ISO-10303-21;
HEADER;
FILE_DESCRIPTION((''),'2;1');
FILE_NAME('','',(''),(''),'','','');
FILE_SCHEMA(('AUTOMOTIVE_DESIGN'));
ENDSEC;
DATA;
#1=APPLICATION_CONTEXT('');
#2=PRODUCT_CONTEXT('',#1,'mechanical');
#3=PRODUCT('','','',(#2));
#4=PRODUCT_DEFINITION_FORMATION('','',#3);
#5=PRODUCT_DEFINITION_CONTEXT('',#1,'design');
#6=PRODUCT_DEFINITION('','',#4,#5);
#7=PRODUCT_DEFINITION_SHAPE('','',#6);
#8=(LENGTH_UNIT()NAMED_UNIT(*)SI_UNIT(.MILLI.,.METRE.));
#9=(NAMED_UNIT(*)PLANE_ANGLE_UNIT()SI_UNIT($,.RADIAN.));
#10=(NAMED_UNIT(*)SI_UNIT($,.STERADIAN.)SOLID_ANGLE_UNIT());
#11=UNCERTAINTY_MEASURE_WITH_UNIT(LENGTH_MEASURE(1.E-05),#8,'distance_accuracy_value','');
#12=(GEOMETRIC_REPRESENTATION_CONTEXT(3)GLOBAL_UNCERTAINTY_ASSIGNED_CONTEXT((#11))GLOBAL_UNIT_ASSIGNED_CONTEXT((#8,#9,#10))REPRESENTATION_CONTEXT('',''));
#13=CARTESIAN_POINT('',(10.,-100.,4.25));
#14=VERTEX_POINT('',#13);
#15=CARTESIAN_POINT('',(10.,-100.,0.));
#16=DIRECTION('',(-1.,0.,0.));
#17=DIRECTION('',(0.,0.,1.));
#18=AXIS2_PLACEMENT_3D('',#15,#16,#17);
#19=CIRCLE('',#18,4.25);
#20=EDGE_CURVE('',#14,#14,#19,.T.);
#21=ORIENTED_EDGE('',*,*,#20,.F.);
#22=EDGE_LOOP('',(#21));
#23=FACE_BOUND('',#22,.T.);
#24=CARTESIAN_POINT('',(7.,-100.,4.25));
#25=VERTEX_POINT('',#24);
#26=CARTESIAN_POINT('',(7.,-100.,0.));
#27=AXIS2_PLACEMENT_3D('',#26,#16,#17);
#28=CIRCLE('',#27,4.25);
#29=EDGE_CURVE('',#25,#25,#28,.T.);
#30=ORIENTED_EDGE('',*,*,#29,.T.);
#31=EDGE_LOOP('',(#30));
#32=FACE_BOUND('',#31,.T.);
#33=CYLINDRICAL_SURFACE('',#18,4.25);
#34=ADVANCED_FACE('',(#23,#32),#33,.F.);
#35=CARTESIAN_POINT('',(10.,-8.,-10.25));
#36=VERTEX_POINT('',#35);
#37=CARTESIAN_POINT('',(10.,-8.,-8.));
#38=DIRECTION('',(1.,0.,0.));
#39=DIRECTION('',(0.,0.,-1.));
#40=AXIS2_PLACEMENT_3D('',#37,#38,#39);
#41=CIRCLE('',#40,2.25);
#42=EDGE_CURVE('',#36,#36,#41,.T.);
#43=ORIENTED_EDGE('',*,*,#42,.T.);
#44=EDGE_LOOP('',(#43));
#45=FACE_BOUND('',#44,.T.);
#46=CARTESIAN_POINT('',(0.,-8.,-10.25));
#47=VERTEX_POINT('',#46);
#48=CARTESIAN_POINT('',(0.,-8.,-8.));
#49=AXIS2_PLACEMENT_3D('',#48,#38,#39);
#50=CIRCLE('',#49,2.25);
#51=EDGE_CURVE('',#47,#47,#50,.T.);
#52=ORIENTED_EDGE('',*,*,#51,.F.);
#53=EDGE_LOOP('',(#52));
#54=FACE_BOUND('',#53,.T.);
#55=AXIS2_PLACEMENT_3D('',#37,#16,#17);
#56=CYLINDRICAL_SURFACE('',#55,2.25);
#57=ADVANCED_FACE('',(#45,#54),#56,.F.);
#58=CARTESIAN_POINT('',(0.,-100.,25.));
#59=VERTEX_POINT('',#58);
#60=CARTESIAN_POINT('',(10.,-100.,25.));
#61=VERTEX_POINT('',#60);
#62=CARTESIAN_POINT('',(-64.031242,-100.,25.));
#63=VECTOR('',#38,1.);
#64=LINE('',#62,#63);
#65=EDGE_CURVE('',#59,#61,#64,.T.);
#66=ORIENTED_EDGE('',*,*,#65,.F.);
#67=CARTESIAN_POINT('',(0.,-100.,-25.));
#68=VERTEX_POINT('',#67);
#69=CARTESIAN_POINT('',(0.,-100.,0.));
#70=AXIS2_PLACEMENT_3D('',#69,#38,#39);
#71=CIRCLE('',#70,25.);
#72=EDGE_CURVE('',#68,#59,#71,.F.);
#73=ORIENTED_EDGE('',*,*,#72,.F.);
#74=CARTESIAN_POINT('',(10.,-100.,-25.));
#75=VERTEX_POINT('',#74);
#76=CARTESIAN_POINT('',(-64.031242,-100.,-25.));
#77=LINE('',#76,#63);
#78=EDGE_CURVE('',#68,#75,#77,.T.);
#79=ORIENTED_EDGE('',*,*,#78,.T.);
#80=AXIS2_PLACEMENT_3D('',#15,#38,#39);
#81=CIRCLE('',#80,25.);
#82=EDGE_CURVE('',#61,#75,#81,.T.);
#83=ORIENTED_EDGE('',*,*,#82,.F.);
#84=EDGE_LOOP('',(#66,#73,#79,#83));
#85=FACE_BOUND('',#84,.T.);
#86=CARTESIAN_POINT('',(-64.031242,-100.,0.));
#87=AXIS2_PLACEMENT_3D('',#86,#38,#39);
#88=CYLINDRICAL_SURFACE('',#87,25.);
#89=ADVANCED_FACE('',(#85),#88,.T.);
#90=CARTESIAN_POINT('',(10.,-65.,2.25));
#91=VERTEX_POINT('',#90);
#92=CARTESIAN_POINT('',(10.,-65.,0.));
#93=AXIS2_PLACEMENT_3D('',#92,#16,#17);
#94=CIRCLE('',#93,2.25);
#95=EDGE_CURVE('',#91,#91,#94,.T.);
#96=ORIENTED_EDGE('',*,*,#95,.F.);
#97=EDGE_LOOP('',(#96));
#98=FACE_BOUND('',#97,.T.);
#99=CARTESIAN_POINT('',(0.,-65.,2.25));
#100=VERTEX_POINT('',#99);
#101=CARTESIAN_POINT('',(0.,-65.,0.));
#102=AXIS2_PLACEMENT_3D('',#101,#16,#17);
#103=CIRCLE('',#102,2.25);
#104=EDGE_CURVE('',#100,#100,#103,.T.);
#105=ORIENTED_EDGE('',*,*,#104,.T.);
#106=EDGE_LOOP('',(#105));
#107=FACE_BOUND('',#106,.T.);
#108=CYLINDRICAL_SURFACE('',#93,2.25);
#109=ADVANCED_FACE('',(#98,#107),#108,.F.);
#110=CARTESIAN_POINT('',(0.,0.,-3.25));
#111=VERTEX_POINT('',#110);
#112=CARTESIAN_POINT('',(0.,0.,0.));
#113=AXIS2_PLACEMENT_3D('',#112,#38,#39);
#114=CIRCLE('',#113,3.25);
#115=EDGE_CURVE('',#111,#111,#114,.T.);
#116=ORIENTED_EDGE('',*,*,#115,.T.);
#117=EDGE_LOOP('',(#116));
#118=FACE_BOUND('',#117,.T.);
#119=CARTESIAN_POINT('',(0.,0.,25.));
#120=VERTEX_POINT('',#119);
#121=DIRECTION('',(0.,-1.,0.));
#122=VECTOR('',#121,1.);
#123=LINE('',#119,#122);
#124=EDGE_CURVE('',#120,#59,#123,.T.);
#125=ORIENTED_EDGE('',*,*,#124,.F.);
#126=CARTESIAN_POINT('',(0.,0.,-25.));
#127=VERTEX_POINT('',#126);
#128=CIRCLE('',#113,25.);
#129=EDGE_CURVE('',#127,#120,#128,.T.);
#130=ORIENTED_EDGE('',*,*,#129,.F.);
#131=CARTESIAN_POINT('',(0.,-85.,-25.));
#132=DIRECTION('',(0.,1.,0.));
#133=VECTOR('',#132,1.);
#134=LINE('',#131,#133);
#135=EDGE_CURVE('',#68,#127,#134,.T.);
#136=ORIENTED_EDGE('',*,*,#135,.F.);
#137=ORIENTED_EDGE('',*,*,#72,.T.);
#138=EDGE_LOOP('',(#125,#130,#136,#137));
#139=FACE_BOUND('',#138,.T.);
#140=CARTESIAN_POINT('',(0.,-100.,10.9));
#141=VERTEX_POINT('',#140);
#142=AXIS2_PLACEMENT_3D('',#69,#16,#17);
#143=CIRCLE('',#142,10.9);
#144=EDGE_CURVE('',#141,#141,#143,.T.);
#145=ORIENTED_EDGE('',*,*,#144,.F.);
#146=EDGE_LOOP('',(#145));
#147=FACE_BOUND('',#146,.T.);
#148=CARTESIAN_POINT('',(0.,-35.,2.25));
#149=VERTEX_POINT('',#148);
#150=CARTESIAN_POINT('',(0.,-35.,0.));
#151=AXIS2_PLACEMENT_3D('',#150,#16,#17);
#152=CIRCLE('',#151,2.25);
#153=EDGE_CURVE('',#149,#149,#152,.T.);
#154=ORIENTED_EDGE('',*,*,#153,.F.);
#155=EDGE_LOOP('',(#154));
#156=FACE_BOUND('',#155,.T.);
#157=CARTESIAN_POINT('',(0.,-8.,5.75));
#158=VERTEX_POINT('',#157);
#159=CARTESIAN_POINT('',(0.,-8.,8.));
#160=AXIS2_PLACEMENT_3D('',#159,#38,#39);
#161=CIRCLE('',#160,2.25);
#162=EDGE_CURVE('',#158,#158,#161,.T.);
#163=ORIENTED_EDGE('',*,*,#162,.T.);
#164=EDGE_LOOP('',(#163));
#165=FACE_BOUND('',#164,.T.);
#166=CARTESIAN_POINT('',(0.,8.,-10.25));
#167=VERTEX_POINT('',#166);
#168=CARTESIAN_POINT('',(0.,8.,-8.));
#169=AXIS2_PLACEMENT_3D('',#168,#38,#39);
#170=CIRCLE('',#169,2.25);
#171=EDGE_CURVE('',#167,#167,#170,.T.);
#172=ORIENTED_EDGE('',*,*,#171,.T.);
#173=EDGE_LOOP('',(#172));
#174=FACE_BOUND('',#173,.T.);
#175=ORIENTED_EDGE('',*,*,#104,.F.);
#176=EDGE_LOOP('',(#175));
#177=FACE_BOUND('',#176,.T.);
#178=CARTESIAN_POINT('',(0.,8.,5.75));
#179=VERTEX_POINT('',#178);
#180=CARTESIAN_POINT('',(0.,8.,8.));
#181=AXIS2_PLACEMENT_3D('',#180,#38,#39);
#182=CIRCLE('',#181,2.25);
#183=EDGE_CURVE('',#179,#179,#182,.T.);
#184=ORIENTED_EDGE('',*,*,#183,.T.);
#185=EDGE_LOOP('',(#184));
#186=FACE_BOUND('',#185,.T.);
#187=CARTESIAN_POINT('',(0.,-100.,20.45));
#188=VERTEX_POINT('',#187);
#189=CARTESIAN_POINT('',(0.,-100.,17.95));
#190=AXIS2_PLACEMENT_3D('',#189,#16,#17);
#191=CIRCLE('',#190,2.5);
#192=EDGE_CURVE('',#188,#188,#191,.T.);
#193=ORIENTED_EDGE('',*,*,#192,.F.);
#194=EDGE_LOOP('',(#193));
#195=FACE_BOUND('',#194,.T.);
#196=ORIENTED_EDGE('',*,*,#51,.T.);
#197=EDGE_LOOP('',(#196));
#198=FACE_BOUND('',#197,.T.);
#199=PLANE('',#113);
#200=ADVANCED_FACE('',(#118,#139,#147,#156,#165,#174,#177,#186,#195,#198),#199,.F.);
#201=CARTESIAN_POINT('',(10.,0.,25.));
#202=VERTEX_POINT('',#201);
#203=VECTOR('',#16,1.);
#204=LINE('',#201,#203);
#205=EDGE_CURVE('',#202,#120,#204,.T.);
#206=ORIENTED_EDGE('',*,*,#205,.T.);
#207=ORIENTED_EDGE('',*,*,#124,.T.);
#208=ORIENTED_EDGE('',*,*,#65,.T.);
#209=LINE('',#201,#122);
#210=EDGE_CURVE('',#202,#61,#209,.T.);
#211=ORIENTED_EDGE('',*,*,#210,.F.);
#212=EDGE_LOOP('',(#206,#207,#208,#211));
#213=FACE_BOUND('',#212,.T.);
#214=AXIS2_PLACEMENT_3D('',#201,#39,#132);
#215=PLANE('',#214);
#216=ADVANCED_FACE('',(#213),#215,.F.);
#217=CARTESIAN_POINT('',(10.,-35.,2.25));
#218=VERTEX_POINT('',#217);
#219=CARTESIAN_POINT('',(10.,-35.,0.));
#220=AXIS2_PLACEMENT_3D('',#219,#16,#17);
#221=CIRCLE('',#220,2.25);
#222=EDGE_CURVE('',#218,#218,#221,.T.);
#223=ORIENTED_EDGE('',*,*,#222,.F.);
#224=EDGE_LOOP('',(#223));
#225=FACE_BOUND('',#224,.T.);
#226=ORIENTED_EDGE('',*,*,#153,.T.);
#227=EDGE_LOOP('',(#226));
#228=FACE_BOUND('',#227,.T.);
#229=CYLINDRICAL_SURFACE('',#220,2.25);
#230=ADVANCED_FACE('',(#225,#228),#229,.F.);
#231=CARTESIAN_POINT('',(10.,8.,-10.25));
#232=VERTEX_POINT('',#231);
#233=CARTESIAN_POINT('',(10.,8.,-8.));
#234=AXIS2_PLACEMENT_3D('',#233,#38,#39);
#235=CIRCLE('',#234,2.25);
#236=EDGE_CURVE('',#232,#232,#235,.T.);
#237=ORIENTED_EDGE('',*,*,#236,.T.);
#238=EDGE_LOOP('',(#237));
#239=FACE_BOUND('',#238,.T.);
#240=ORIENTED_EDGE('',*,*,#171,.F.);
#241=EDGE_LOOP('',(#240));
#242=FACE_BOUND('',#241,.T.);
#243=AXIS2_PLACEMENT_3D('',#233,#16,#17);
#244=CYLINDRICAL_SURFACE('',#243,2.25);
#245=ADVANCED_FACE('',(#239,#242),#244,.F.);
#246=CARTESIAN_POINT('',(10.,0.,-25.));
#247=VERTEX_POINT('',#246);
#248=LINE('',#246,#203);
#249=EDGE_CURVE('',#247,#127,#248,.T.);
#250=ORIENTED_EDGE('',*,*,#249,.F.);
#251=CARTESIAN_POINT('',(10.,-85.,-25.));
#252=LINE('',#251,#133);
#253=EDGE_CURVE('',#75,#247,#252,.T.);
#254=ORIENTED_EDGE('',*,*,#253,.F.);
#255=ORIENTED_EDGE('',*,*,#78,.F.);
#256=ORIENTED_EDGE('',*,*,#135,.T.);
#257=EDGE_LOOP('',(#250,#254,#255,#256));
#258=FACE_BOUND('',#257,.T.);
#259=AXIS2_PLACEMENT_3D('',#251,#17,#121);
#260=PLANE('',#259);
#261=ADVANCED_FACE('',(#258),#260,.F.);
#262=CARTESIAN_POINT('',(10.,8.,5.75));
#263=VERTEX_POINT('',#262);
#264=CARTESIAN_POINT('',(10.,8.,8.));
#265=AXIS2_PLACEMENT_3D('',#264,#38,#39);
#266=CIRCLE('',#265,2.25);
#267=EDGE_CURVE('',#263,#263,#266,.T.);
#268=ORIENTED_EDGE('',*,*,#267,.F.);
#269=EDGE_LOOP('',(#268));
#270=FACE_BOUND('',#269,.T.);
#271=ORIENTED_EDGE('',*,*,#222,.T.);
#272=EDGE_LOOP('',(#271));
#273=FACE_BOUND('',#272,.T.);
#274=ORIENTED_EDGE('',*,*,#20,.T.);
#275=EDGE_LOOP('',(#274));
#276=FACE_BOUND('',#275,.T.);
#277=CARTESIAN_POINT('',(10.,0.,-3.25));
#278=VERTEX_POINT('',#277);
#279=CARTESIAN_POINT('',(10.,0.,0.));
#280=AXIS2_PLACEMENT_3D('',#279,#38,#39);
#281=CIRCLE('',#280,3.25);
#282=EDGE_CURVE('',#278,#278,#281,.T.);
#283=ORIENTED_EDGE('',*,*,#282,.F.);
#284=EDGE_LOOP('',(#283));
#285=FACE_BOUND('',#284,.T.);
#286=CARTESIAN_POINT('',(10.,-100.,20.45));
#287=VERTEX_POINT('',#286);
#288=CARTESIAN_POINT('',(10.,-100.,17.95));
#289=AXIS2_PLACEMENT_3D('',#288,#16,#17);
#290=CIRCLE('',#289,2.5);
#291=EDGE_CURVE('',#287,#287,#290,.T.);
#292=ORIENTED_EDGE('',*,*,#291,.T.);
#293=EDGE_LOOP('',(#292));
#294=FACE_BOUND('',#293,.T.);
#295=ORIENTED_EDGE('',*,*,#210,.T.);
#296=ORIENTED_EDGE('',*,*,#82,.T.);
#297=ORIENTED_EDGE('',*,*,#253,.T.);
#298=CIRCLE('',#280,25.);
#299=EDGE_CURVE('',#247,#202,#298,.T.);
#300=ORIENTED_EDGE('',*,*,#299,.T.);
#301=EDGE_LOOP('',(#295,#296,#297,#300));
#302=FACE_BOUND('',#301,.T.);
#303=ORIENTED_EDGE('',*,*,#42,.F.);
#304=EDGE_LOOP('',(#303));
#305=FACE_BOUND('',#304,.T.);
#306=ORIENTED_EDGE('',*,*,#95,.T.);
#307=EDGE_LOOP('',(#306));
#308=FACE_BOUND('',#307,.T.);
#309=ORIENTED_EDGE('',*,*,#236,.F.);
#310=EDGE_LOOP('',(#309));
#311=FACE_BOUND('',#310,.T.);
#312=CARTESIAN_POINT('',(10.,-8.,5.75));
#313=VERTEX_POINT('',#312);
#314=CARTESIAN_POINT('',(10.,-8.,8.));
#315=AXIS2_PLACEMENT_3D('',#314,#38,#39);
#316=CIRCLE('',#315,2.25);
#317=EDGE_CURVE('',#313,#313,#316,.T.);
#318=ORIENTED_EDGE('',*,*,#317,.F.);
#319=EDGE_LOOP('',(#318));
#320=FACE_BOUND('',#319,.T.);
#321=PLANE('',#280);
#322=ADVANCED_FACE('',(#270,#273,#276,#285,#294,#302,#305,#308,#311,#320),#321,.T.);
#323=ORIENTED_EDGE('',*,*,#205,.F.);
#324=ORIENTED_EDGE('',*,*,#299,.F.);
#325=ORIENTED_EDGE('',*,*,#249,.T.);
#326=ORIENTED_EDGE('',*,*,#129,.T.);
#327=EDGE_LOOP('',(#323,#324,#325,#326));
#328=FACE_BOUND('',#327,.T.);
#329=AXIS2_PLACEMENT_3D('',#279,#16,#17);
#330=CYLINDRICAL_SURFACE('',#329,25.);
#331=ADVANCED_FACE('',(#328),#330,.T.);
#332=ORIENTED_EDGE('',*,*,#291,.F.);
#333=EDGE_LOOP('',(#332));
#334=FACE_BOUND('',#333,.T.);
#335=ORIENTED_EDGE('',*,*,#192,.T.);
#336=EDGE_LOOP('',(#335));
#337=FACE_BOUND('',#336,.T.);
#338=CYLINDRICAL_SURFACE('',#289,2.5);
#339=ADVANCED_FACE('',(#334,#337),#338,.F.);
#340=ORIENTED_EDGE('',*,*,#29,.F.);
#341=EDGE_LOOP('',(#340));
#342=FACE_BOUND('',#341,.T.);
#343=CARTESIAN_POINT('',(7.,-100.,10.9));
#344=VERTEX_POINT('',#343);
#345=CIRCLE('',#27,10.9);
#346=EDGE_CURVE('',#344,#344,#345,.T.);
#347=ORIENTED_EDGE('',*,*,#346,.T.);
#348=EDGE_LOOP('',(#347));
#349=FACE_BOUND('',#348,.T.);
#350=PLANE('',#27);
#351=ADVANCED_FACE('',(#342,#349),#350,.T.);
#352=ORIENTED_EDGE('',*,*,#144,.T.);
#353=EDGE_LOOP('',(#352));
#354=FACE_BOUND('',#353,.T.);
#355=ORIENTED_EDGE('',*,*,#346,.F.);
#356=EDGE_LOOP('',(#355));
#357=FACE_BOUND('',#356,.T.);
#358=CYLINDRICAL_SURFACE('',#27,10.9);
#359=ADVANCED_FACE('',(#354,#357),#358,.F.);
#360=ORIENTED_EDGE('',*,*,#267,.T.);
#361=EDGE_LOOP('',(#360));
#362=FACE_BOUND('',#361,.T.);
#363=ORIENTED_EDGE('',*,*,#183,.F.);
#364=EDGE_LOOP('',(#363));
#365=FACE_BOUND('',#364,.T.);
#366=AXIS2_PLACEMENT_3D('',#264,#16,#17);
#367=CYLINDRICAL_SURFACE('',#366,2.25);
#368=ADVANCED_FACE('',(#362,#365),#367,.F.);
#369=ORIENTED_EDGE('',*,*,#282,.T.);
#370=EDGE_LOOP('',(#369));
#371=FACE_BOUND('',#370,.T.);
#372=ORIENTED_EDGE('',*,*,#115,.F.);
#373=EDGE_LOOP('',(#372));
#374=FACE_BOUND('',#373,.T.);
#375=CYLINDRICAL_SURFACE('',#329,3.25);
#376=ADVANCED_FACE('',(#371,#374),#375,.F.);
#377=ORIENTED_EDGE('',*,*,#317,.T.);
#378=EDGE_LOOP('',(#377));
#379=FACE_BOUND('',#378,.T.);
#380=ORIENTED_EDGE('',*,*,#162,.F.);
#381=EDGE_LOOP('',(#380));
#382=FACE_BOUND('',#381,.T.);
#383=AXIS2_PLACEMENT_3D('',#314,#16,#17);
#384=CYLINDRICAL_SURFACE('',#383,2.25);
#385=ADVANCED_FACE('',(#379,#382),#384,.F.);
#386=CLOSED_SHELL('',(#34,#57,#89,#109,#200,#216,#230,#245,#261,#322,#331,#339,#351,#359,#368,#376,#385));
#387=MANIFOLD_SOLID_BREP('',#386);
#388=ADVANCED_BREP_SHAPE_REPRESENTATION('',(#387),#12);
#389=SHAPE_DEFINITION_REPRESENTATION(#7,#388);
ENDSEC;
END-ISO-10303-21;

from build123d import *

# Parameters (mm, degrees)
CROQUIS1_R              = 3.25
CROQUIS1_R_2            = 2.25
SALIENTE_EXTRUIR1_DEPTH = 10
SALIENTE_EXTRUIR2_DEPTH = 10
CROQUIS3_R              = 2.25
CORTAR_EXTRUIR1_DEPTH   = 128.867118525
CROQUIS4_R              = 10.9
CORTAR_EXTRUIR2_DEPTH   = 7
CROQUIS5_R              = 4.25
CORTAR_EXTRUIR3_DEPTH   = 128.667536986
CROQUIS6_R              = 2.5
CORTAR_EXTRUIR4_DEPTH   = 128.867118525


with BuildPart() as part:
    # Croquis1 → Saliente-Extruir1 (new body)
    with BuildSketch(Plane(origin=(0, 0, 0), x_dir=(0, 0, -1), z_dir=(1, 0, 0))):
        with BuildLine():
            Line((-25, 0), (-25, -85))
            Line((-25, -85), (25, -85))
            Line((25, -85), (25, 0))
            ThreePointArc((25, 0), (0, 25), (-25, 0))
        make_face()
        Circle(CROQUIS1_R, mode=Mode.SUBTRACT)
        with Locations((-8, 8)):
            Circle(CROQUIS1_R_2, mode=Mode.SUBTRACT)
        with Locations((8, 8)):
            Circle(CROQUIS1_R_2, mode=Mode.SUBTRACT)
        with Locations((8, -8)):
            Circle(CROQUIS1_R_2, mode=Mode.SUBTRACT)
        with Locations((-8, -8)):
            Circle(CROQUIS1_R_2, mode=Mode.SUBTRACT)
    extrude(amount=SALIENTE_EXTRUIR1_DEPTH)

    # Croquis2 → Saliente-Extruir2 (add)
    with BuildSketch(Plane(origin=(10, 0, 0), x_dir=(0, 0, -1), z_dir=(1, 0, 0))):
        with BuildLine():
            Line((-25, -100), (-25, -85))
            Line((-25, -85), (25, -85))
            Line((25, -85), (25, -100))
            ThreePointArc((25, -100), (0, -125), (-25, -100))
        make_face()
    extrude(amount=-SALIENTE_EXTRUIR2_DEPTH)

    # Croquis3 → Cortar-Extruir1 (cut, through all)
    with BuildSketch(Plane.ZY):
        with Locations((0, -35)):
            Circle(CROQUIS3_R)
        with Locations((0, -65)):
            Circle(CROQUIS3_R)
    extrude(amount=-CORTAR_EXTRUIR1_DEPTH, mode=Mode.SUBTRACT)

    # Croquis4 → Cortar-Extruir2 (cut)
    with BuildSketch(Plane.ZY):
        with Locations((0, -100)):
            Circle(CROQUIS4_R)
    extrude(amount=-CORTAR_EXTRUIR2_DEPTH, mode=Mode.SUBTRACT)

    # Croquis5 → Cortar-Extruir3 (cut, through all)
    with BuildSketch(Plane.ZY.offset(-7)):
        with Locations((0, -100)):
            Circle(CROQUIS5_R)
    extrude(amount=-CORTAR_EXTRUIR3_DEPTH, mode=Mode.SUBTRACT)

    # Croquis6 → Cortar-Extruir4 (cut, through all)
    with BuildSketch(Plane.ZY):
        with Locations((17.95, -100)):
            Circle(CROQUIS6_R)
    extrude(amount=-CORTAR_EXTRUIR4_DEPTH, mode=Mode.SUBTRACT)


solid = part.part
